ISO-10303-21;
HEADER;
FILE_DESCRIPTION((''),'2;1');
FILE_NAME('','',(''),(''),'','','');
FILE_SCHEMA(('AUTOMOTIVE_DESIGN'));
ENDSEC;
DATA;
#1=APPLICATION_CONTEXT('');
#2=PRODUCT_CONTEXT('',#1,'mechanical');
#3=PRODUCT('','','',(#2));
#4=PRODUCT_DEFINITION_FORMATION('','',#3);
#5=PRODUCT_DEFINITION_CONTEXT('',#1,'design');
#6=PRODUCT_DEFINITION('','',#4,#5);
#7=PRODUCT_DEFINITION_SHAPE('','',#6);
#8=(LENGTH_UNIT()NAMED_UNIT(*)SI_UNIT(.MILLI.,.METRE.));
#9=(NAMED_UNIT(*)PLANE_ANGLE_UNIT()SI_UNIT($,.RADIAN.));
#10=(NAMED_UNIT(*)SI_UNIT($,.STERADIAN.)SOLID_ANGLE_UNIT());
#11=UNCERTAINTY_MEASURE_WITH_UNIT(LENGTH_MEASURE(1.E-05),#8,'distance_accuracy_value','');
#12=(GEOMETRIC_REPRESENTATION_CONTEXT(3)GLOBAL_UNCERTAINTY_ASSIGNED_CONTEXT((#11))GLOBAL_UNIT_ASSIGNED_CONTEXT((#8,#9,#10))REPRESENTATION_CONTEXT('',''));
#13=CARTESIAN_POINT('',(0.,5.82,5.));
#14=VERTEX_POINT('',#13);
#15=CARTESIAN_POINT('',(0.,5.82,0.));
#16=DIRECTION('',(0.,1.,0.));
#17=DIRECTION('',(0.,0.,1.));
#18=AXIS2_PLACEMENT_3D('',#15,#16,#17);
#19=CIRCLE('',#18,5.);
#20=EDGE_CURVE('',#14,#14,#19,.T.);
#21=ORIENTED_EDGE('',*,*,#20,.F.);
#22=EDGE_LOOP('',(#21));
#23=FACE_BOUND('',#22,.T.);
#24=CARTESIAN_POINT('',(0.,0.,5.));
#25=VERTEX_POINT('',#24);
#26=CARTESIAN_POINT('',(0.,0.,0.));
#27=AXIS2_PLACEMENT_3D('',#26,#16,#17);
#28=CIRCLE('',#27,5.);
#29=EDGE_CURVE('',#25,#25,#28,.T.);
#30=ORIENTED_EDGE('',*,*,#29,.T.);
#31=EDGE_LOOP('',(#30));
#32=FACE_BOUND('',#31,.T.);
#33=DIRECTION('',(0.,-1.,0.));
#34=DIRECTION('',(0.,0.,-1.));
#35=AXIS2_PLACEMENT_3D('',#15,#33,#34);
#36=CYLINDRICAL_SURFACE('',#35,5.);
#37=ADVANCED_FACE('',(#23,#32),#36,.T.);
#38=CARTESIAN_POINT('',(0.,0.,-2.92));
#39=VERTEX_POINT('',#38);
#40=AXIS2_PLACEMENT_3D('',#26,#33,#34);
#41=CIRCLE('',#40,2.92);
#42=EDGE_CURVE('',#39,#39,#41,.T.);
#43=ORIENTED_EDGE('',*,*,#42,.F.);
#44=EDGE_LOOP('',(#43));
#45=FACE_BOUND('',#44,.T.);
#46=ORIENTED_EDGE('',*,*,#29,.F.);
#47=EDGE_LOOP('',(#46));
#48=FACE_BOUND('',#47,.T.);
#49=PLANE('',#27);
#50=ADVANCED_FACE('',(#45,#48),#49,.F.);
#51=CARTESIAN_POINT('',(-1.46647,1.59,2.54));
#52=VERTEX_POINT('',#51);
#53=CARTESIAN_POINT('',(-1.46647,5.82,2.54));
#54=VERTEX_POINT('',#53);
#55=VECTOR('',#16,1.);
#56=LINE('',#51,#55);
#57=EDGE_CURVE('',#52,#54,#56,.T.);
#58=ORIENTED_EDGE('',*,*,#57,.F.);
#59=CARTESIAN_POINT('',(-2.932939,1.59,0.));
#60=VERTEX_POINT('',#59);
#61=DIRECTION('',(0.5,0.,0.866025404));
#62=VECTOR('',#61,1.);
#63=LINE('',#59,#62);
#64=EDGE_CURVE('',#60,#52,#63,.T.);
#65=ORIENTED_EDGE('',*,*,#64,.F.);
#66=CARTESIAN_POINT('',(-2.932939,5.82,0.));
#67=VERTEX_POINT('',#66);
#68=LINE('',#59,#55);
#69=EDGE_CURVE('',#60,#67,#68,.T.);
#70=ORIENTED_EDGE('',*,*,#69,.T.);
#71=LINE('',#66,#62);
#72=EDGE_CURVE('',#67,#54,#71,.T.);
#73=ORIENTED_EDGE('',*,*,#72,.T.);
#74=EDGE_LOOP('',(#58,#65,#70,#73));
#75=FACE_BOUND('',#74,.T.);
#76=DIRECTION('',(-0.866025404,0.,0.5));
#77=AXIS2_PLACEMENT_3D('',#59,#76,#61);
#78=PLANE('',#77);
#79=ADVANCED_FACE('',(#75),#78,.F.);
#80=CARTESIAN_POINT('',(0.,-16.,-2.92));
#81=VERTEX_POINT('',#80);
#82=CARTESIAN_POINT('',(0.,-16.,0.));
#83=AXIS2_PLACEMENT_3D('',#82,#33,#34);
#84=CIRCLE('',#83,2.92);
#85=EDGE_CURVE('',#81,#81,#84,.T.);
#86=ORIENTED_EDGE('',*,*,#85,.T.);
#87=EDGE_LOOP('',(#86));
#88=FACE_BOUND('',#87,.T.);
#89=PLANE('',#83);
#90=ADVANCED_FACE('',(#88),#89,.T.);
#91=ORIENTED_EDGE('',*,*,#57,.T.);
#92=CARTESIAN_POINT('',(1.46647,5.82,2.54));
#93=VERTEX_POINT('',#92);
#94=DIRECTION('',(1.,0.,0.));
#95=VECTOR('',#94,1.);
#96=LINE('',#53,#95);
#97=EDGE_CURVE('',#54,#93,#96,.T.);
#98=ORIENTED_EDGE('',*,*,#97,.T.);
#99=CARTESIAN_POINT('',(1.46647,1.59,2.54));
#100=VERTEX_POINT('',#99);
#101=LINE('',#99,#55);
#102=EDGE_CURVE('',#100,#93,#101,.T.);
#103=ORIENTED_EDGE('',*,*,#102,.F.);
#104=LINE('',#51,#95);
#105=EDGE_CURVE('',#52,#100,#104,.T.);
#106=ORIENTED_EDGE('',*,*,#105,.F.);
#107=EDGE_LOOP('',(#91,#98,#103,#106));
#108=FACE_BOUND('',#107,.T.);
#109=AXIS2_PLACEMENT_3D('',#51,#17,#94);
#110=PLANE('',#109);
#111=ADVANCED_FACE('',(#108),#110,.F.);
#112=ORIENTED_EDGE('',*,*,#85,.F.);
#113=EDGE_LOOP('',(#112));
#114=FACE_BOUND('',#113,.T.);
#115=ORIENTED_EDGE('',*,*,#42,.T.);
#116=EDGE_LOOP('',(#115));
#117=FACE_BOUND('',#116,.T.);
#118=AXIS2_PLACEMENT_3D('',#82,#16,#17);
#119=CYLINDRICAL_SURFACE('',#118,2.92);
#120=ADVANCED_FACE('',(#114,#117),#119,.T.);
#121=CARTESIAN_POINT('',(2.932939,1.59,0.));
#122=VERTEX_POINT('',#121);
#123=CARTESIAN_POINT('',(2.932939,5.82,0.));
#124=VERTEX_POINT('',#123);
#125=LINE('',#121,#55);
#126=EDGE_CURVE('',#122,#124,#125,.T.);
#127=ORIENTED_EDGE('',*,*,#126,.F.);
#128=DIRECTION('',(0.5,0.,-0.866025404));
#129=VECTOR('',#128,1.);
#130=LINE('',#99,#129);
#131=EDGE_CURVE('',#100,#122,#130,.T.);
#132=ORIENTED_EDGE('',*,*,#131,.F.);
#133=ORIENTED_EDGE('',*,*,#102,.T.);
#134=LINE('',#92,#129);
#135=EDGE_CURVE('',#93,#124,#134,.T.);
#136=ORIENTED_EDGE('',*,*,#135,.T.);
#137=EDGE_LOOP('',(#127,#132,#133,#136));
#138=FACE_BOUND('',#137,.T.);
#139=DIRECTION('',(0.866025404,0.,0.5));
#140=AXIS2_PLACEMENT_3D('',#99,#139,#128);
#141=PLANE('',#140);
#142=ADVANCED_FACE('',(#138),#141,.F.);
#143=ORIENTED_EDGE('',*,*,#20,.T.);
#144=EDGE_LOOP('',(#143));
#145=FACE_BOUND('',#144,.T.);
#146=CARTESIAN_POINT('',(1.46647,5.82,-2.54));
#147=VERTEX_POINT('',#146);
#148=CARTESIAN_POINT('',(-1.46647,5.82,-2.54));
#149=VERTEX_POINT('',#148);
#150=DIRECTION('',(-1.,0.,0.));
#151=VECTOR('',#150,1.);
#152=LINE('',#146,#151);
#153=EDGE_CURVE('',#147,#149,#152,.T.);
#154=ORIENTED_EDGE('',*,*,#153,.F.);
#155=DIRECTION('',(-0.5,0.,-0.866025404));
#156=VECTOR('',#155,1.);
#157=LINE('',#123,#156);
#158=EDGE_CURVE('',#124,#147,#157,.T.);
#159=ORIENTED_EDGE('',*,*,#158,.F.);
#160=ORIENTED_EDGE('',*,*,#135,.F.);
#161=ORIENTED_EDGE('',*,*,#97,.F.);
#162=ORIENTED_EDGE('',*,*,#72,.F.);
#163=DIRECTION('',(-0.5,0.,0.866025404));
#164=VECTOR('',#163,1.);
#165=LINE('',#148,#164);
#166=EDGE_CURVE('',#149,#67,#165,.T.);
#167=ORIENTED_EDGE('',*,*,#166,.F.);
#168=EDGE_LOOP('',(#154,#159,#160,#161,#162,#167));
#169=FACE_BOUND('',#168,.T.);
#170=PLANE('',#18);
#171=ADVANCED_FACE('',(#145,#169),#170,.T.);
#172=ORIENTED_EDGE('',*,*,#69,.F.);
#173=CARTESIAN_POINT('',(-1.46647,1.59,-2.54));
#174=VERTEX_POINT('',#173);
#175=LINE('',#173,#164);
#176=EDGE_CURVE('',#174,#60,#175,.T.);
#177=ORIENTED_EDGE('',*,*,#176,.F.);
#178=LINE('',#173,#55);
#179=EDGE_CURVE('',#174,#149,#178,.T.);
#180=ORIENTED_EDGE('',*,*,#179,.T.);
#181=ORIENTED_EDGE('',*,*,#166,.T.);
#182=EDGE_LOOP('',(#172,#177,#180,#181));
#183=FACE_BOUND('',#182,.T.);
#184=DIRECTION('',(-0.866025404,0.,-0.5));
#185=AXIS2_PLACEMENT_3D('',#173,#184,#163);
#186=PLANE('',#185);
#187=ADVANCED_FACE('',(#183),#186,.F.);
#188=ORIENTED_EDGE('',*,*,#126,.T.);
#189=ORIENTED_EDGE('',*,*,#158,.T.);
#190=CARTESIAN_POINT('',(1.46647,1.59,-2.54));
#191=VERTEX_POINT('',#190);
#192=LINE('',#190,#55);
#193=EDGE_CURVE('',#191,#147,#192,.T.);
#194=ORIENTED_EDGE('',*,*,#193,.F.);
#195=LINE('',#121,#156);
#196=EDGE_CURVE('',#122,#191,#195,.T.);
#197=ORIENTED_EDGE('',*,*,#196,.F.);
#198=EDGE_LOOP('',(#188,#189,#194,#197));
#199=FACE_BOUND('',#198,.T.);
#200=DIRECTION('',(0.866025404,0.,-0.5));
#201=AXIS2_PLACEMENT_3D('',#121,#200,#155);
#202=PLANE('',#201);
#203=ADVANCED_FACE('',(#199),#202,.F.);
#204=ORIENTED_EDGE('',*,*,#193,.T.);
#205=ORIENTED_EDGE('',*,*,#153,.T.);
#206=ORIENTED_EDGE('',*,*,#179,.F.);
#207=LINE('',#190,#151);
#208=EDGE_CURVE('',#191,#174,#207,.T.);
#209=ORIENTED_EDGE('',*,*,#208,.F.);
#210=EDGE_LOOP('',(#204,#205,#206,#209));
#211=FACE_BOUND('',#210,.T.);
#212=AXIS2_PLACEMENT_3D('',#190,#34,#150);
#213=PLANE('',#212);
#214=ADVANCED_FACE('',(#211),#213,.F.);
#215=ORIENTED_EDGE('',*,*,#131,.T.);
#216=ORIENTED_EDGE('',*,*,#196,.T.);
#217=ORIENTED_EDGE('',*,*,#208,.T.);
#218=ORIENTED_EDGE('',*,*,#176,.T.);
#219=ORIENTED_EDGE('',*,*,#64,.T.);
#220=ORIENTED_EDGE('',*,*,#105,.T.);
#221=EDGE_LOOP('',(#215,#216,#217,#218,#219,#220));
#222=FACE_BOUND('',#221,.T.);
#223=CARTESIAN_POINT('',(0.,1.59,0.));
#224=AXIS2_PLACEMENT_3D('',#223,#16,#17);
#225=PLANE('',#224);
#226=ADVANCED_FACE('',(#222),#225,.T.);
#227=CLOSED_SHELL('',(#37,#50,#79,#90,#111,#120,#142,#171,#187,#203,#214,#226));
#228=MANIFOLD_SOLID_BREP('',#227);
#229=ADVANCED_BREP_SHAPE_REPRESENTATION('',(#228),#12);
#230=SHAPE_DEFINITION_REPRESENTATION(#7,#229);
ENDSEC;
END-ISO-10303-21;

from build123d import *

# Parameters (mm, degrees)
SKETCH1_R           = 5
BOSS_EXTRUDE1_DEPTH = 5.82
SKETCH2_R           = 2.92
BOSS_EXTRUDE2_DEPTH = 16
CUT_EXTRUDE1_DEPTH  = 4.23


with BuildPart() as part:
    # Sketch1 → Boss-Extrude1 (new body)
    with BuildSketch(Plane(origin=(0, 0, 0), x_dir=(1, 0, 0), z_dir=(0, 1, 0))):
        Circle(SKETCH1_R)
    extrude(amount=BOSS_EXTRUDE1_DEPTH)

    # Sketch2 → Boss-Extrude2 (add)
    with BuildSketch(Plane.XZ):
        Circle(SKETCH2_R)
    extrude(amount=BOSS_EXTRUDE2_DEPTH)

    # Sketch3 → Cut-Extrude1 (cut)
    with BuildSketch(Plane(origin=(0, 5.82, 0), x_dir=(1, 0, 0), z_dir=(0, 1, 0))):
        Polygon((2.932939367, 0), (1.466469684, 2.54), (-1.466469684, 2.54), (-2.932939367, 0), (-1.466469684, -2.54), (1.466469684, -2.54), align=None)
    extrude(amount=-CUT_EXTRUDE1_DEPTH, mode=Mode.SUBTRACT)


solid = part.part
